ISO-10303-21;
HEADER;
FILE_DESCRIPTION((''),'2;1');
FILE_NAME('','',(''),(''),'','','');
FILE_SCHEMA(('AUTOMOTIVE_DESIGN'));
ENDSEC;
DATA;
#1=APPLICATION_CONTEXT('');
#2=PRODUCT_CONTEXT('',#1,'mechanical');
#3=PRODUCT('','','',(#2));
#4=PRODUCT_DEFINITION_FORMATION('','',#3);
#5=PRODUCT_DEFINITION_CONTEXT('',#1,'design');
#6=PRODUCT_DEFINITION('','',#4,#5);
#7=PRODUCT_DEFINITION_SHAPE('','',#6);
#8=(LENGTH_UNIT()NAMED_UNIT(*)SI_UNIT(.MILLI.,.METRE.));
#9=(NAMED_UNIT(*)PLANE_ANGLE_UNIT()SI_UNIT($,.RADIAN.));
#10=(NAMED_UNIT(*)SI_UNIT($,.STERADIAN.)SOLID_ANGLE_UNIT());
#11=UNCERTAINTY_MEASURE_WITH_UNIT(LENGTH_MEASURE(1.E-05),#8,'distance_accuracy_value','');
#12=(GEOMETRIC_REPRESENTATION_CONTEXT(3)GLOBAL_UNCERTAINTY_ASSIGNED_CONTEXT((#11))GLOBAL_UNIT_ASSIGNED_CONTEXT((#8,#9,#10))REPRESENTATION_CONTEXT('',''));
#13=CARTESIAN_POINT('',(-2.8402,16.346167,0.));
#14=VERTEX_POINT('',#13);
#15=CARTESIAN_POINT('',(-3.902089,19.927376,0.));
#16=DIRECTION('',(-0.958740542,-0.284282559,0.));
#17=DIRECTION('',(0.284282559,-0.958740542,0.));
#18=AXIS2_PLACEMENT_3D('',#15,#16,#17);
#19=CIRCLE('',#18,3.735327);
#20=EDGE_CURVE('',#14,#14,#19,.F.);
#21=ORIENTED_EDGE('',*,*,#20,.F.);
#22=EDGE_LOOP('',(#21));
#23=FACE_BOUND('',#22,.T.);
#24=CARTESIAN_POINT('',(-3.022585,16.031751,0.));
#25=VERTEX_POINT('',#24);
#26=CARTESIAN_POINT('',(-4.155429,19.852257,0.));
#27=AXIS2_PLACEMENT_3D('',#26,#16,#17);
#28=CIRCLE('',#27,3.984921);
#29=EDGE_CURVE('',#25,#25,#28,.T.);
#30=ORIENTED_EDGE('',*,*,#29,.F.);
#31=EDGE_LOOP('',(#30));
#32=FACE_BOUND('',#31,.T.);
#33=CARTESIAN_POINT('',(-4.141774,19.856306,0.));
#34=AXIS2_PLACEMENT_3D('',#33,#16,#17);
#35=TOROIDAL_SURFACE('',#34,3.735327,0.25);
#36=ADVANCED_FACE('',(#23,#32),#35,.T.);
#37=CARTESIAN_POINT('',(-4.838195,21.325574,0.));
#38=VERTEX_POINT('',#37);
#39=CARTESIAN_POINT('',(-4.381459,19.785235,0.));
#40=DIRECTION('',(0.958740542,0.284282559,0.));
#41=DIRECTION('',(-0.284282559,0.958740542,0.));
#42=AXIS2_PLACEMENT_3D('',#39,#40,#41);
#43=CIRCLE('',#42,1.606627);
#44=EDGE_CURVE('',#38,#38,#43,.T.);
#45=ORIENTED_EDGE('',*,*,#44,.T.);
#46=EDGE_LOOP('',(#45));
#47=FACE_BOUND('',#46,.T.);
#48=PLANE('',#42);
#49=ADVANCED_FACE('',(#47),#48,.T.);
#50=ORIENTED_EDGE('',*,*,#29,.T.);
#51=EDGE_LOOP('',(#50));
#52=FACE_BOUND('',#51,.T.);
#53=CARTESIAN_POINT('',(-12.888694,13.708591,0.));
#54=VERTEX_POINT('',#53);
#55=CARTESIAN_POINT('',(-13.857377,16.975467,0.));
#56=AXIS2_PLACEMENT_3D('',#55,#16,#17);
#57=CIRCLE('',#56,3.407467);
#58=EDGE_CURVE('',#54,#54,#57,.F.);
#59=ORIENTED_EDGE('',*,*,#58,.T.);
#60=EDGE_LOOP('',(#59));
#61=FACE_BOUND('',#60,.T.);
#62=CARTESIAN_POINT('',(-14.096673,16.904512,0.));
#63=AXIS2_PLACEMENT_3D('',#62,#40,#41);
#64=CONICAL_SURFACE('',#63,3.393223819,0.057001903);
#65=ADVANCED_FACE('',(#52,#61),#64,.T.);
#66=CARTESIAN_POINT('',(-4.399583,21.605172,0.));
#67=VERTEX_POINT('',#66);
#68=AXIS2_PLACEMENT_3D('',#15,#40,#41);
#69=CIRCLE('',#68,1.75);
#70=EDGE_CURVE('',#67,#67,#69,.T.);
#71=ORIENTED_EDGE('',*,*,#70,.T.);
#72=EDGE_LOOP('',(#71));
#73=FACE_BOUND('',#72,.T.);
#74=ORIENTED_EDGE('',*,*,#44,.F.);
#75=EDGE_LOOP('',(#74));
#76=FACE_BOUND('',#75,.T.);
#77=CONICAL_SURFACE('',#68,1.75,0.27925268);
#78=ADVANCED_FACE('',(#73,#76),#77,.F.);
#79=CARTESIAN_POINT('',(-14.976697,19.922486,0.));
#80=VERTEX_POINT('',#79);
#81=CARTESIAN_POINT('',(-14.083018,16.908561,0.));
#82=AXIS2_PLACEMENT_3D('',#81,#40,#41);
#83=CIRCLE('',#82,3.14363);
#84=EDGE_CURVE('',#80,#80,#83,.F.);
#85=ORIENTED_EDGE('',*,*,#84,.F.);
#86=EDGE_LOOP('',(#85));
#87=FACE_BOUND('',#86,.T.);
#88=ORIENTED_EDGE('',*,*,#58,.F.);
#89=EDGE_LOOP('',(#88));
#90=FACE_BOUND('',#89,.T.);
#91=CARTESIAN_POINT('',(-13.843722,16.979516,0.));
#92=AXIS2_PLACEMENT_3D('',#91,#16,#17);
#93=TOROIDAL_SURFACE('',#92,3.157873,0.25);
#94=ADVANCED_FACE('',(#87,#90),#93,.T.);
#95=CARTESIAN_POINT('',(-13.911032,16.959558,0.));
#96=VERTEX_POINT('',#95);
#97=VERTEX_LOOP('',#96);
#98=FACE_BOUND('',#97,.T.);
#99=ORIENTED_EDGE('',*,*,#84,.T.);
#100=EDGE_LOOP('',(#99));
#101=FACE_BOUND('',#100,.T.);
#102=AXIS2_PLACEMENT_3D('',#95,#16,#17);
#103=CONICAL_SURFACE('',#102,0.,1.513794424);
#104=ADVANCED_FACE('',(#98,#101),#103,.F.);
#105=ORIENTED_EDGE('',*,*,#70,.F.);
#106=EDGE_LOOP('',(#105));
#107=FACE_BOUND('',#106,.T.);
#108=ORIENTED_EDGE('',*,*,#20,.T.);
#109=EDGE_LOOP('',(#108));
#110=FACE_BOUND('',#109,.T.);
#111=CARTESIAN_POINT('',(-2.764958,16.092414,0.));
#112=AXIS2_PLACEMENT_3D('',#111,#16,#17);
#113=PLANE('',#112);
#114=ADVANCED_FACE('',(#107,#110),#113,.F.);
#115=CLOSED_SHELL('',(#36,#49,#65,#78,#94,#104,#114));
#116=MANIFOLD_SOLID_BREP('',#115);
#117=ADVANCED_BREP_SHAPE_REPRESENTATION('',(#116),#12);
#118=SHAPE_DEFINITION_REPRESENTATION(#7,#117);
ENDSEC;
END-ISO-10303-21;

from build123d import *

# Parameters (mm, degrees)
ESQUISSE3_R             = 1.75
ENL_V_MAT_EXTRU_1_DEPTH = 0.5
ENL_V_MAT_EXTRU_1_DRAFT = -16
CONG_1_R                = 0.25


with BuildPart() as part:
    # Esquisse1 → Base-Révolution (revolve)
    with BuildSketch(Plane.XY):
        Polygon((-3.902088534, 19.927376326), (-13.91103216, 16.959557627), (-13.132038717, 13.651290759), (-2.764958297, 16.092414159), align=None)
    revolve(axis=Axis((8.392178994, 23.572831673, 0), (-0.958740541858694, -0.2842825590789876, 0)))


with BuildPart() as enl_v_mat_extru_1_tool:
    # Esquisse3 → Enlèv. mat.-Extru.1 (with draft: the straight prism first)
    with BuildSketch(Plane(origin=(1.8473368, 0.537487696, 0), x_dir=(0, 0, -1), z_dir=(0.958740541858694, 0.2842825590789876, 0))):
        with Locations((0, 20.224333679)):
            Circle(ESQUISSE3_R)
    extrude(amount=-ENL_V_MAT_EXTRU_1_DEPTH)
    # Enlèv. mat.-Extru.1: the draft: its side faces are tilted about the plane it starts from
    enl_v_mat_extru_1_sides = [enl_v_mat_extru_1_tool.faces().sort_by_distance(p)[0] for p in [
        (-4.141773669, 19.856305686, 1.75),
    ]]
    draft(enl_v_mat_extru_1_sides, Plane(origin=(1.8473368, 0.537487696, 0), x_dir=(0, 0, -1), z_dir=(0.958740541858694, 0.2842825590789876, 0)), ENL_V_MAT_EXTRU_1_DRAFT)


with BuildPart() as part_1:
    add(part.part)

    # Enlèv. mat.-Extru.1: cut by enl_v_mat_extru_1_tool
    add(enl_v_mat_extru_1_tool.part, mode=Mode.SUBTRACT)

    # Congé1
    cong_1_edges = [part_1.edges().sort_by_distance(p)[0] for p in [
        (-15.061307419, 20.157733245, 0),
        (-5.03921877, 23.762338494, 0),
    ]]
    fillet(cong_1_edges, radius=CONG_1_R)


solid = part_1.part
